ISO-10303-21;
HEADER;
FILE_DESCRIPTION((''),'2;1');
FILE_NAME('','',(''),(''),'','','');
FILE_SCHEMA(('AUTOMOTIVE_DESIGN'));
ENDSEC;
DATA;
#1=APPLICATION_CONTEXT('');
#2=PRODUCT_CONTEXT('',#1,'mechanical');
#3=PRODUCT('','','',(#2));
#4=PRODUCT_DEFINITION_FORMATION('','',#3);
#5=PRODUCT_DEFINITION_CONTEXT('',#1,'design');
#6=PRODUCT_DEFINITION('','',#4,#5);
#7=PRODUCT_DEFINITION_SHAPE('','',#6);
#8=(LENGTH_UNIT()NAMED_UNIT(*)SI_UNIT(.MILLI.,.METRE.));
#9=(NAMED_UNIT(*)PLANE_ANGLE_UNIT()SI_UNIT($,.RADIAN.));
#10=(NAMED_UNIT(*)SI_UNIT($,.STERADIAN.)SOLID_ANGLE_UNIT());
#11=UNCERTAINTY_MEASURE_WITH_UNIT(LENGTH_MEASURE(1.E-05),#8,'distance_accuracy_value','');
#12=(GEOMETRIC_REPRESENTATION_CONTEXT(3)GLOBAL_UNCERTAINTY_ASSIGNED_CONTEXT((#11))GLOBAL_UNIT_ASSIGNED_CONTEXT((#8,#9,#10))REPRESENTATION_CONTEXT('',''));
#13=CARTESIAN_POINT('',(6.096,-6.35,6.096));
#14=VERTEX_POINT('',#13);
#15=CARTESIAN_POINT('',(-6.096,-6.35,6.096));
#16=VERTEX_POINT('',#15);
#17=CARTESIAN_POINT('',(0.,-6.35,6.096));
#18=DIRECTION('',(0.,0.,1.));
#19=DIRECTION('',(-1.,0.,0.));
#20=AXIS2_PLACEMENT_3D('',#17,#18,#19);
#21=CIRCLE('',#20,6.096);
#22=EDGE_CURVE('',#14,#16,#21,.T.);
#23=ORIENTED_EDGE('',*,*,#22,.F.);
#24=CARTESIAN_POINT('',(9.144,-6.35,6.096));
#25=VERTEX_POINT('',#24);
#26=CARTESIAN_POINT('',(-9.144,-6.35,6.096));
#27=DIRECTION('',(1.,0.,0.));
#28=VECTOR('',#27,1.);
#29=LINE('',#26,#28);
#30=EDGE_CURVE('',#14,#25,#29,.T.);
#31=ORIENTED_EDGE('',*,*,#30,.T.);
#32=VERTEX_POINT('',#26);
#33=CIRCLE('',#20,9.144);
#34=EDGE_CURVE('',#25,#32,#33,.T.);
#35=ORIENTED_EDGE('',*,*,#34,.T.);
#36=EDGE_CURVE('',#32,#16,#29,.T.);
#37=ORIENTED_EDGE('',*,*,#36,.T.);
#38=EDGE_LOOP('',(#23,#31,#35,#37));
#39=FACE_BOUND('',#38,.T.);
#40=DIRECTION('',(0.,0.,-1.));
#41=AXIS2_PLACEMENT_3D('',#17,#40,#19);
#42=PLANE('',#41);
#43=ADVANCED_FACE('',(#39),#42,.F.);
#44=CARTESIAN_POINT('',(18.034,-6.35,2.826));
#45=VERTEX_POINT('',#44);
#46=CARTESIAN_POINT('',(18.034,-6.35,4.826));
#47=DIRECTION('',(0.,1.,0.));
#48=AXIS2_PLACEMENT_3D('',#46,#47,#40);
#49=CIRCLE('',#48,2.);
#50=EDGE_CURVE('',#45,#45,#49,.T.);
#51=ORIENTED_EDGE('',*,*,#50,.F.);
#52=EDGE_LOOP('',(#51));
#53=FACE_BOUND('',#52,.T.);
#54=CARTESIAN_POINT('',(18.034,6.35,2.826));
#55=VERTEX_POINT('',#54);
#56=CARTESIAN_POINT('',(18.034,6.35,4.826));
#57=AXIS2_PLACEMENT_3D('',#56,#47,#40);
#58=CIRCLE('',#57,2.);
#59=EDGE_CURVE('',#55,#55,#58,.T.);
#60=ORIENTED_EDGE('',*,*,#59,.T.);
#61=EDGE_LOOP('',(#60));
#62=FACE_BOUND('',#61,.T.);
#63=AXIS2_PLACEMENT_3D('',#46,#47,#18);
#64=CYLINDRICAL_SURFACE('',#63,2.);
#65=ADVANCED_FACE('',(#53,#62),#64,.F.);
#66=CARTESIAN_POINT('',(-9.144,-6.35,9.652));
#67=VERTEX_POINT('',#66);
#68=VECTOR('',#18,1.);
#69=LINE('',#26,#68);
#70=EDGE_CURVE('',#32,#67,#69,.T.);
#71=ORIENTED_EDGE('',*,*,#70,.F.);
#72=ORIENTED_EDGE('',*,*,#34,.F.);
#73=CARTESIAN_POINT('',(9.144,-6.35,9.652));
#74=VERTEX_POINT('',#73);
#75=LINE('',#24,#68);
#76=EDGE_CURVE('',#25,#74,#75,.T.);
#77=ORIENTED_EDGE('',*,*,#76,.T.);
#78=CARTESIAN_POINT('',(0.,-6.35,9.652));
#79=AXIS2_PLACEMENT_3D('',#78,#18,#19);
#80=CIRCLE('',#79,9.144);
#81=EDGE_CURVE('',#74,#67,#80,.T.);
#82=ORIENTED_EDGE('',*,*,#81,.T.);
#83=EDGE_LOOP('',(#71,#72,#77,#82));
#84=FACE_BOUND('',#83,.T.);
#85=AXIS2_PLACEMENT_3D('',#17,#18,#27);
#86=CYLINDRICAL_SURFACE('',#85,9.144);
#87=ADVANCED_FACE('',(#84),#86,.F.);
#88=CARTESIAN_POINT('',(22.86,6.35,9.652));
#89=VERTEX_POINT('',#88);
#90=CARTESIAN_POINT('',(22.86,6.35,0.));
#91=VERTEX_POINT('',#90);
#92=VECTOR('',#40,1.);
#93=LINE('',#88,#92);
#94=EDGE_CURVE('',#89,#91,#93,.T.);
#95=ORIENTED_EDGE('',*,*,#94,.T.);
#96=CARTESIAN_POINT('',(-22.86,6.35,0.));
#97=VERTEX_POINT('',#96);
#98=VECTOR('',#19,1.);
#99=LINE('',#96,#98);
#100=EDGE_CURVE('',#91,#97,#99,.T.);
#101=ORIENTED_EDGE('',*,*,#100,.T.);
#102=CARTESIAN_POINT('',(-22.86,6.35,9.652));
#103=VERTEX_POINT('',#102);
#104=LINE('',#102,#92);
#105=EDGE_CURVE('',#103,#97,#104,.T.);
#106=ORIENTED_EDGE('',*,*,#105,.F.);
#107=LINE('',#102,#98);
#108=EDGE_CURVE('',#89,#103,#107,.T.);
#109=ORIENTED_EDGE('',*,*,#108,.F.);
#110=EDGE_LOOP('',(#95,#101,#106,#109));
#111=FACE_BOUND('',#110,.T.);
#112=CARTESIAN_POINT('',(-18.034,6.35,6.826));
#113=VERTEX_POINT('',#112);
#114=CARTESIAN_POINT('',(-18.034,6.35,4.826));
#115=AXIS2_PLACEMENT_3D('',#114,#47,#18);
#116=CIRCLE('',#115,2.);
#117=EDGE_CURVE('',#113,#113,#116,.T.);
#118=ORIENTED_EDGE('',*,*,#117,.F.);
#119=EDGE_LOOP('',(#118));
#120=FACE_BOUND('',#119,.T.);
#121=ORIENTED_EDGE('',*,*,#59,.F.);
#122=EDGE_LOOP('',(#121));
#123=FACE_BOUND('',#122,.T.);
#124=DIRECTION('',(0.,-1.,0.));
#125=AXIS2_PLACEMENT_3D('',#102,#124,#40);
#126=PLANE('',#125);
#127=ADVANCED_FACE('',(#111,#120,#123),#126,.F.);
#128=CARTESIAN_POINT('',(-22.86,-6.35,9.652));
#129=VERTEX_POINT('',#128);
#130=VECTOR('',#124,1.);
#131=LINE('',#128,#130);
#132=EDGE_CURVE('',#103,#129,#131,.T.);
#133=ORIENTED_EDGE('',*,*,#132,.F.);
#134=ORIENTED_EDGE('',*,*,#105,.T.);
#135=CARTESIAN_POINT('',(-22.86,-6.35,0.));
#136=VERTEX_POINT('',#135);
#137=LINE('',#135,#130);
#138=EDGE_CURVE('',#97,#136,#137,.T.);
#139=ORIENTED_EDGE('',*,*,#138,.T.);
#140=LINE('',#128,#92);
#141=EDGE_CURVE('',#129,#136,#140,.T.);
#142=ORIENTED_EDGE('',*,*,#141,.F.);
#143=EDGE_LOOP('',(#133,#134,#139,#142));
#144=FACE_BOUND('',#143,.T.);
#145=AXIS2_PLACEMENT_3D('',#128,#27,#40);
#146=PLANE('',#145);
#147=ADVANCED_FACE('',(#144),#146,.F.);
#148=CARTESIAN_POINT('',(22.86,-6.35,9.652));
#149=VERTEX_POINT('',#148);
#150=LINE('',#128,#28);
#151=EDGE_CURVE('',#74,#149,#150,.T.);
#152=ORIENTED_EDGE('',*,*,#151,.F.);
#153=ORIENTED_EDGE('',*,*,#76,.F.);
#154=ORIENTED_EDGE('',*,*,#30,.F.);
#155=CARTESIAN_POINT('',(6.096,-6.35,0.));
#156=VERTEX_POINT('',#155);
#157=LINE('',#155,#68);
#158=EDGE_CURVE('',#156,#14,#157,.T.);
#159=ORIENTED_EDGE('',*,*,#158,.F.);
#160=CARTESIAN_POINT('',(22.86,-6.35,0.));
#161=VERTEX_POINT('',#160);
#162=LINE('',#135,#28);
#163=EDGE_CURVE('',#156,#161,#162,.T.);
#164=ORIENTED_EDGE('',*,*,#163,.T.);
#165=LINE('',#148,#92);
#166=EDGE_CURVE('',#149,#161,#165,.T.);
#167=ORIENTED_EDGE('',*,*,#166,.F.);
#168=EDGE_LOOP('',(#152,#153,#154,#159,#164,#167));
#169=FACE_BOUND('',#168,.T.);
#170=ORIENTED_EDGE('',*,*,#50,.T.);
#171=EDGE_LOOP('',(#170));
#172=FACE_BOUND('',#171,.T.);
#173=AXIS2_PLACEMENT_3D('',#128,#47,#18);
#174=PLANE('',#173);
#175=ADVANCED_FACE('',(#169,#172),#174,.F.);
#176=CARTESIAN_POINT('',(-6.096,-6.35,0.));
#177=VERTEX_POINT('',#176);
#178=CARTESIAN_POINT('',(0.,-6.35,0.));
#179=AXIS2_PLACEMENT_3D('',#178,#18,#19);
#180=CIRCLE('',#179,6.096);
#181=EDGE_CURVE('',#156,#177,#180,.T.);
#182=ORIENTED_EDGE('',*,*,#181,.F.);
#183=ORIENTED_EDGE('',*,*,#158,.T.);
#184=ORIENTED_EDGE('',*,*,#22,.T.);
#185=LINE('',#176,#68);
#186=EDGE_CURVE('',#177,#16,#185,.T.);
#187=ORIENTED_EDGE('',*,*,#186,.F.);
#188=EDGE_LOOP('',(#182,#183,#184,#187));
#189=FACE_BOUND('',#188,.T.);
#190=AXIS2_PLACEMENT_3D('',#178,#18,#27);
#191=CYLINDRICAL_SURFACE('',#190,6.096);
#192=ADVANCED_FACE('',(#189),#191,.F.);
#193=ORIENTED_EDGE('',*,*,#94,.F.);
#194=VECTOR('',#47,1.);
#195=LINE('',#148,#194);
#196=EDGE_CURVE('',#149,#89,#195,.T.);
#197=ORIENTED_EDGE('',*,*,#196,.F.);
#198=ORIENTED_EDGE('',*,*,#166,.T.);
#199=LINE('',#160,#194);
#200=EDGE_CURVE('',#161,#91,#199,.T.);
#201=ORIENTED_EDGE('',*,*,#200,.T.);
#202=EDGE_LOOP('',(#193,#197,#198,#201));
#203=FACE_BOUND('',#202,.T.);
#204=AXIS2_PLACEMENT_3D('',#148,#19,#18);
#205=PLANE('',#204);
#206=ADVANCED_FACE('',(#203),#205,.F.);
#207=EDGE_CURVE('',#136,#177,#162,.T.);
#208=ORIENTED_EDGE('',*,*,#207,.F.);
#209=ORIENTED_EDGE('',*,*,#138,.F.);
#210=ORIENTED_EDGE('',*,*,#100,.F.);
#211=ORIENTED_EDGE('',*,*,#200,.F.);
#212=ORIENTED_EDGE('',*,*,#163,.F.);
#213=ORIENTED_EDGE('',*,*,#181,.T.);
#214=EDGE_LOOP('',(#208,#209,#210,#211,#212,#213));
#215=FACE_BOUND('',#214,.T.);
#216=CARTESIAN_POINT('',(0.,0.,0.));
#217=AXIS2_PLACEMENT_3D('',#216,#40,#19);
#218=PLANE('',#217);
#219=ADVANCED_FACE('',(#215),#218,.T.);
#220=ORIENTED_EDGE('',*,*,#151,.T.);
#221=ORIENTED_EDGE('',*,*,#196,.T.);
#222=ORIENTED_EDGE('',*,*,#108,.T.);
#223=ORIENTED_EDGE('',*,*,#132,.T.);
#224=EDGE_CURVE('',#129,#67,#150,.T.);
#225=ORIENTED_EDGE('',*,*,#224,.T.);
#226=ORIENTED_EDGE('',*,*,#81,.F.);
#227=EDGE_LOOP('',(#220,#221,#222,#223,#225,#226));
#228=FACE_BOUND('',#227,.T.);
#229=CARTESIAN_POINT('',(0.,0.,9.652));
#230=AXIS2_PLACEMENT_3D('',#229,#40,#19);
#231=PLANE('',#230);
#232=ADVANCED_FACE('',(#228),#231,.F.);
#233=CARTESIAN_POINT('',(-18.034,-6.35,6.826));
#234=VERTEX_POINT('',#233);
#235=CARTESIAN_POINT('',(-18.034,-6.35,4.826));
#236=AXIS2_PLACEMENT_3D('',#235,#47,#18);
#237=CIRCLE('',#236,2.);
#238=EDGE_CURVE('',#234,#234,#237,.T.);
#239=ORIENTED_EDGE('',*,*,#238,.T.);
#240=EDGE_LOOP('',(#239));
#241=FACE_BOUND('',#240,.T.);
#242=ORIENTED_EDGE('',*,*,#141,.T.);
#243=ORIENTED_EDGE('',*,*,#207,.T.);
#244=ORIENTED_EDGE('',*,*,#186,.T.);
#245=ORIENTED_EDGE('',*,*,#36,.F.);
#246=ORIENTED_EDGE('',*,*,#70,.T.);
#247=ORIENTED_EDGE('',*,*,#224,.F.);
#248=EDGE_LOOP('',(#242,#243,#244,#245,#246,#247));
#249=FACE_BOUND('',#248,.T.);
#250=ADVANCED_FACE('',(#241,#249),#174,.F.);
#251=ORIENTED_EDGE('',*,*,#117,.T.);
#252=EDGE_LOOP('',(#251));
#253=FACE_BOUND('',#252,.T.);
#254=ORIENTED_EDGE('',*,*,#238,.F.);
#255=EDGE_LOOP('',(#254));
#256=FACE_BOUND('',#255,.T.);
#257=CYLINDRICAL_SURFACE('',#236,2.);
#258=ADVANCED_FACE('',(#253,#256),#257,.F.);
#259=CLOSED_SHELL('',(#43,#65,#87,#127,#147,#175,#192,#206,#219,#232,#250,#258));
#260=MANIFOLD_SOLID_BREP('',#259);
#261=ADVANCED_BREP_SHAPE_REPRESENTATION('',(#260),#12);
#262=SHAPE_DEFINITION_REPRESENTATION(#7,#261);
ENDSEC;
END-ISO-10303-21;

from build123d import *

# Parameters (mm, degrees)
SKETCH1_W           = 45.72
SKETCH1_H           = 12.7
BOSS_EXTRUDE1_DEPTH = 9.652
CUT_EXTRUDE3_DEPTH  = 3.556
CUT_EXTRUDE5_DEPTH  = 25.496189826
SKETCH4_R           = 2
CUT_EXTRUDE6_DEPTH  = 28.875270474


with BuildPart() as part:
    # Sketch1 → Boss-Extrude1 (new body)
    with BuildSketch(Plane.XY):
        Rectangle(SKETCH1_W, SKETCH1_H)
    extrude(amount=BOSS_EXTRUDE1_DEPTH)

    # Sketch2 → Cut-Extrude3 (cut)
    with BuildSketch(Plane.XY.offset(9.652)):
        with BuildLine():
            Line((-9.144, -6.35), (9.144, -6.35))
            ThreePointArc((9.144, -6.35), (0, 2.794), (-9.144, -6.35))
        make_face()
    extrude(amount=-CUT_EXTRUDE3_DEPTH, mode=Mode.SUBTRACT)

    # Sketch3 → Cut-Extrude5 (cut, through all)
    with BuildSketch(Plane.XY.offset(6.096)):
        with BuildLine():
            Line((-6.096, -6.35), (6.096, -6.35))
            ThreePointArc((6.096, -6.35), (0, -0.254), (-6.096, -6.35))
        make_face()
    extrude(amount=-CUT_EXTRUDE5_DEPTH, mode=Mode.SUBTRACT)

    # Sketch4 → Cut-Extrude6 (cut, through all)
    with BuildSketch(Plane(origin=(0, 6.35, 0), x_dir=(1, 0, 0), z_dir=(0, 1, 0))):
        with Locations((-18.034, -4.826)):
            Circle(SKETCH4_R)
        with Locations((18.034, -4.826)):
            Circle(SKETCH4_R)
    extrude(amount=-CUT_EXTRUDE6_DEPTH, mode=Mode.SUBTRACT)


solid = part.part
